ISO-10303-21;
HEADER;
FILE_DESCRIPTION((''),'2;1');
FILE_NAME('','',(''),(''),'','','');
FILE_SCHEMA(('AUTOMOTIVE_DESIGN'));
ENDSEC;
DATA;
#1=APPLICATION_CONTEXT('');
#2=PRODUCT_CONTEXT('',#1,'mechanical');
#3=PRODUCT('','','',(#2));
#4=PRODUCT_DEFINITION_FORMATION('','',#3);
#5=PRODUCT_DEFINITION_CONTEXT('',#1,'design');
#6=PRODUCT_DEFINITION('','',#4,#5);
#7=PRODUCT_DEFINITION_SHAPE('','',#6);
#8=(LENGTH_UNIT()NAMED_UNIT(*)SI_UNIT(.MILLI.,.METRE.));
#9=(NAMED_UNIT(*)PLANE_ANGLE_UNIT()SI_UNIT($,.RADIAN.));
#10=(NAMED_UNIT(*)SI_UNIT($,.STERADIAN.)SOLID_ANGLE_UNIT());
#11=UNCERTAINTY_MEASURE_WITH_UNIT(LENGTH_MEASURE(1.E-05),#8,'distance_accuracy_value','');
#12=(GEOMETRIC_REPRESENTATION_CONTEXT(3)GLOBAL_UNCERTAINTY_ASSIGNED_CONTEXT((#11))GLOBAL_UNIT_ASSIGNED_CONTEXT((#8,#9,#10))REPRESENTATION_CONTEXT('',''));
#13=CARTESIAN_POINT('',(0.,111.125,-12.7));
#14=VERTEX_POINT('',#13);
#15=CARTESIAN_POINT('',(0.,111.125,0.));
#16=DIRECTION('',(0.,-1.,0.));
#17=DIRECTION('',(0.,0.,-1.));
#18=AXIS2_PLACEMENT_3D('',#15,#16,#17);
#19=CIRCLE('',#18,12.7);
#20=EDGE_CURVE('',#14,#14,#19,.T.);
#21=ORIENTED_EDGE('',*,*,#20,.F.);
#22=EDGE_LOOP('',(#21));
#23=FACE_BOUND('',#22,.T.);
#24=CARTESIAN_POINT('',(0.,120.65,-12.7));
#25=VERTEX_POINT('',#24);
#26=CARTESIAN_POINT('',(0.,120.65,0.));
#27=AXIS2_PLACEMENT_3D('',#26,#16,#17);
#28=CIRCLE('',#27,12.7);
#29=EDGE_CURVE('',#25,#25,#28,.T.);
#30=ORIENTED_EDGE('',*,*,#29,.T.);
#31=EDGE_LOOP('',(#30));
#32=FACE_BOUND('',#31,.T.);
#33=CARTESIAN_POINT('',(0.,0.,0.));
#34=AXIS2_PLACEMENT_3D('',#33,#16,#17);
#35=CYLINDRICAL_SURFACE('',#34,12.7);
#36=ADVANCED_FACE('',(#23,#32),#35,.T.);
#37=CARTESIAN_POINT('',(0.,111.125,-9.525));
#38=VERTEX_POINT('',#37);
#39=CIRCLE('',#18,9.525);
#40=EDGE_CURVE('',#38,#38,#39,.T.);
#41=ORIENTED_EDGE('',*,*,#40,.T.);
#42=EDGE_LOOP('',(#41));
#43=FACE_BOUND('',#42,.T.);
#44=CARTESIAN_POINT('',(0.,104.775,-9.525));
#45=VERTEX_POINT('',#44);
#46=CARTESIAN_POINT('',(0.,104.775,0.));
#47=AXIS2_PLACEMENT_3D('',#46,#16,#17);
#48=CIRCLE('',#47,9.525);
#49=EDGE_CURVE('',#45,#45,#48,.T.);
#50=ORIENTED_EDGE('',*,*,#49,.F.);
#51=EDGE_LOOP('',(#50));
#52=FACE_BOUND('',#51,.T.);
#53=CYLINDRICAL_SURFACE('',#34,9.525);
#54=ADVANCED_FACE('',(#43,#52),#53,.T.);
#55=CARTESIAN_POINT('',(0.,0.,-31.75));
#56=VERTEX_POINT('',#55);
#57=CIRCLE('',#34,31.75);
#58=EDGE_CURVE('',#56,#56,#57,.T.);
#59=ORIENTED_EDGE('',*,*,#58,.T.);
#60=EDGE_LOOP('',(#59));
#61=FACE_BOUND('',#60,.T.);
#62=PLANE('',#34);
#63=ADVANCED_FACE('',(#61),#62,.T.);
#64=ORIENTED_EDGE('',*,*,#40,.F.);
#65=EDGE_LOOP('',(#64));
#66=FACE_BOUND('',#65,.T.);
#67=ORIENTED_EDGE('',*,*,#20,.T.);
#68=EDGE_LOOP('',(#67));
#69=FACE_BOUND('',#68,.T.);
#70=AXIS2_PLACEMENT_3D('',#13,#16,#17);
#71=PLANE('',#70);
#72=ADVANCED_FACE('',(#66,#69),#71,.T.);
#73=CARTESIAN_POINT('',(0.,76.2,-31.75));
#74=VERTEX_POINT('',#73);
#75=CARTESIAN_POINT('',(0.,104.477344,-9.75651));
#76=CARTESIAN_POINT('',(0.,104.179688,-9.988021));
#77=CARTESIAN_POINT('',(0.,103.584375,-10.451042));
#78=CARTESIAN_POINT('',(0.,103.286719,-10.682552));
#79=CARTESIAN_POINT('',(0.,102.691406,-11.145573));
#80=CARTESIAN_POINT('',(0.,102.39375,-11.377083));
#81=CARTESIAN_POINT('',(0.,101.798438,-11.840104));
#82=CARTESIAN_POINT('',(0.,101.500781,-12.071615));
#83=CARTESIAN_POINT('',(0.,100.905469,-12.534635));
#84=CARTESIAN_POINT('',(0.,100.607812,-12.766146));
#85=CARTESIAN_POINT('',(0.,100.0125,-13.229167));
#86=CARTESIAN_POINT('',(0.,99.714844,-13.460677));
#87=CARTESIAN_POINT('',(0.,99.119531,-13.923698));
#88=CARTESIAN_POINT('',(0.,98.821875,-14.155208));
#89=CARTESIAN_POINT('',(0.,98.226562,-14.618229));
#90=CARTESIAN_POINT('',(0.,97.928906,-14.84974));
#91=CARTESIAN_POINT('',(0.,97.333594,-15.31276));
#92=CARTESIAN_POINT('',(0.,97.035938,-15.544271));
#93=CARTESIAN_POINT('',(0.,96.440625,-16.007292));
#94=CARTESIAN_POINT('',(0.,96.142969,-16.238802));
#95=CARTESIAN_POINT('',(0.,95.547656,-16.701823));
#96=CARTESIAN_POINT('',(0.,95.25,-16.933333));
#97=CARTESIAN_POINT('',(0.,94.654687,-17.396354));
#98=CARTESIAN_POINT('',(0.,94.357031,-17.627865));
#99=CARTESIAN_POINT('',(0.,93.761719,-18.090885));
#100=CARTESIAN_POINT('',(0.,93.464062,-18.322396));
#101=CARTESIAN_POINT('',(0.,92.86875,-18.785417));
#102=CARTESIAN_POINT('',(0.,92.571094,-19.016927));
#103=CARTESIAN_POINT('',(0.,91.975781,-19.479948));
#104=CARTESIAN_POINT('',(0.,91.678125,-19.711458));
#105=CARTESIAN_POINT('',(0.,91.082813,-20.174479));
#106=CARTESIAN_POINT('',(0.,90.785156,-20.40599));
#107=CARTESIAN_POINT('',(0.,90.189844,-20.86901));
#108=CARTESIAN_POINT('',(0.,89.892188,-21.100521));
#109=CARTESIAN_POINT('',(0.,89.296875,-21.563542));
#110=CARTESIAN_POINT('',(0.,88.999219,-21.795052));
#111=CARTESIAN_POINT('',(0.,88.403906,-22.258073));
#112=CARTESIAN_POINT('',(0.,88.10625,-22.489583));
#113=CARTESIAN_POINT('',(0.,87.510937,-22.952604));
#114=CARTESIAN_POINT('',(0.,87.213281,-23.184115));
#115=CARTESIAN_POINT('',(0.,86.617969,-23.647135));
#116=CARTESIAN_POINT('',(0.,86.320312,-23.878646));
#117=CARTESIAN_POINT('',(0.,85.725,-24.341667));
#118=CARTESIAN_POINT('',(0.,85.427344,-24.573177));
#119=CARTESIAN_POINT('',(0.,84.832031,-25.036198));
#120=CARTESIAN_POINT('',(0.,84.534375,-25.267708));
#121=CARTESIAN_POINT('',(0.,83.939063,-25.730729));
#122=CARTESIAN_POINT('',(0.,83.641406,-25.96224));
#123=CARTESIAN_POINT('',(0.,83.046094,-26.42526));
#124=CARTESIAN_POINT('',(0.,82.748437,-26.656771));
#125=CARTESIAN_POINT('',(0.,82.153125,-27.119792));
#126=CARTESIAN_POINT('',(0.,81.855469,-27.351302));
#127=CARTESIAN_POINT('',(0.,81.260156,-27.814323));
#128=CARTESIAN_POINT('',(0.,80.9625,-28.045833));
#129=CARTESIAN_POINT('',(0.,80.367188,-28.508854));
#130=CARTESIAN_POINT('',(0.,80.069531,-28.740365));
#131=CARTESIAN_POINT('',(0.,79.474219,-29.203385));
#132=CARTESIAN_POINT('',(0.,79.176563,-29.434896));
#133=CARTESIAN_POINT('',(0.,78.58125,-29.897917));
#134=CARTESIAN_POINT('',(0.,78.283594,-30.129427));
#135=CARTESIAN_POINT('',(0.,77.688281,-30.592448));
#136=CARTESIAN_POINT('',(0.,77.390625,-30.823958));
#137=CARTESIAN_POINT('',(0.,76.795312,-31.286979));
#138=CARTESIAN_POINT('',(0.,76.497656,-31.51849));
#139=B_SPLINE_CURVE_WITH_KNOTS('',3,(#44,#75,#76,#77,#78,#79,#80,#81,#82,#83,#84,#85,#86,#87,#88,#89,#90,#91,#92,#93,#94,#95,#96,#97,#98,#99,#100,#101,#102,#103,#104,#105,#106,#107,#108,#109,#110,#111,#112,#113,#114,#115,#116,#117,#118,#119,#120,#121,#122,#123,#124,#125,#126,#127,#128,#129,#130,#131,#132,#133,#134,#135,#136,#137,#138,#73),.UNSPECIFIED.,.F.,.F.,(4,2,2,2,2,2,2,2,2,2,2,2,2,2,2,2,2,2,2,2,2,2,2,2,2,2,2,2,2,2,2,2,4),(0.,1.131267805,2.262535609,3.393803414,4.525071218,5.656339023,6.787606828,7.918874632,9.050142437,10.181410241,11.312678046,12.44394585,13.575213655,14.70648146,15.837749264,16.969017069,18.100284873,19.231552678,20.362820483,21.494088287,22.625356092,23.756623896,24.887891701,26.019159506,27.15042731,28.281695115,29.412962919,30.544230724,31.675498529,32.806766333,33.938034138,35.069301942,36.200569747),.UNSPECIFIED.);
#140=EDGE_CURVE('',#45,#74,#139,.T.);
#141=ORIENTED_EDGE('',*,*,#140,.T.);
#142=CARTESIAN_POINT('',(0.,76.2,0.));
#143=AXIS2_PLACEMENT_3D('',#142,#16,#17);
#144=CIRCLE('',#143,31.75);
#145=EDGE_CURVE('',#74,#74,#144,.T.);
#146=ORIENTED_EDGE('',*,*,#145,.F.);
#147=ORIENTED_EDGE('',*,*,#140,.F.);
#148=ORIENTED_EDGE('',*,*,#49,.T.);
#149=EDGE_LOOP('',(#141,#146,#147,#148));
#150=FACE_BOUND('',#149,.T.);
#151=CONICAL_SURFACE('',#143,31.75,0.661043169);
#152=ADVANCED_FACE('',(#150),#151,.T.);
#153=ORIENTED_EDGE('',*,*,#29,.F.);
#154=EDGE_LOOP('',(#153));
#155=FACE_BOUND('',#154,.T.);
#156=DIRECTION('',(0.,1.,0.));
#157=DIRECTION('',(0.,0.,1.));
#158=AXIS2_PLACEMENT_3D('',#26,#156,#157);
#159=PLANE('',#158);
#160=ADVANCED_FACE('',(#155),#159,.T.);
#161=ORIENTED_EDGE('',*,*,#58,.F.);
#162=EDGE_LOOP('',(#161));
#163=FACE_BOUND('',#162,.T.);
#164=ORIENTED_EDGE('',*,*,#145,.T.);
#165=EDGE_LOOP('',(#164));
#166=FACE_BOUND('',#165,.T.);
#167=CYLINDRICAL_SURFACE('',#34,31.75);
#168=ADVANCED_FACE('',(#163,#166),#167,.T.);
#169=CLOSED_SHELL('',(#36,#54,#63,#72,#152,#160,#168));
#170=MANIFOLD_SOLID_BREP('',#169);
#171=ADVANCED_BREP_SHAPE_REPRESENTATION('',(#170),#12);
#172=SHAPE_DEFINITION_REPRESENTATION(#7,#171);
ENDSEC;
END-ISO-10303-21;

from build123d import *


with BuildPart() as part:
    # Sketch2 → Revolve1 (revolve)
    with BuildSketch(Plane(origin=(0, 0, 0), x_dir=(0, 0, -1), z_dir=(1, 0, 0))):
        Polygon((0, 0), (0, 120.65), (12.7, 120.65), (12.7, 111.125), (9.525, 111.125), (9.525, 104.775), (31.75, 76.2), (31.75, 0), align=None)
    revolve(axis=Axis((0, 0, 0), (0, 1, 0)))


solid = part.part
